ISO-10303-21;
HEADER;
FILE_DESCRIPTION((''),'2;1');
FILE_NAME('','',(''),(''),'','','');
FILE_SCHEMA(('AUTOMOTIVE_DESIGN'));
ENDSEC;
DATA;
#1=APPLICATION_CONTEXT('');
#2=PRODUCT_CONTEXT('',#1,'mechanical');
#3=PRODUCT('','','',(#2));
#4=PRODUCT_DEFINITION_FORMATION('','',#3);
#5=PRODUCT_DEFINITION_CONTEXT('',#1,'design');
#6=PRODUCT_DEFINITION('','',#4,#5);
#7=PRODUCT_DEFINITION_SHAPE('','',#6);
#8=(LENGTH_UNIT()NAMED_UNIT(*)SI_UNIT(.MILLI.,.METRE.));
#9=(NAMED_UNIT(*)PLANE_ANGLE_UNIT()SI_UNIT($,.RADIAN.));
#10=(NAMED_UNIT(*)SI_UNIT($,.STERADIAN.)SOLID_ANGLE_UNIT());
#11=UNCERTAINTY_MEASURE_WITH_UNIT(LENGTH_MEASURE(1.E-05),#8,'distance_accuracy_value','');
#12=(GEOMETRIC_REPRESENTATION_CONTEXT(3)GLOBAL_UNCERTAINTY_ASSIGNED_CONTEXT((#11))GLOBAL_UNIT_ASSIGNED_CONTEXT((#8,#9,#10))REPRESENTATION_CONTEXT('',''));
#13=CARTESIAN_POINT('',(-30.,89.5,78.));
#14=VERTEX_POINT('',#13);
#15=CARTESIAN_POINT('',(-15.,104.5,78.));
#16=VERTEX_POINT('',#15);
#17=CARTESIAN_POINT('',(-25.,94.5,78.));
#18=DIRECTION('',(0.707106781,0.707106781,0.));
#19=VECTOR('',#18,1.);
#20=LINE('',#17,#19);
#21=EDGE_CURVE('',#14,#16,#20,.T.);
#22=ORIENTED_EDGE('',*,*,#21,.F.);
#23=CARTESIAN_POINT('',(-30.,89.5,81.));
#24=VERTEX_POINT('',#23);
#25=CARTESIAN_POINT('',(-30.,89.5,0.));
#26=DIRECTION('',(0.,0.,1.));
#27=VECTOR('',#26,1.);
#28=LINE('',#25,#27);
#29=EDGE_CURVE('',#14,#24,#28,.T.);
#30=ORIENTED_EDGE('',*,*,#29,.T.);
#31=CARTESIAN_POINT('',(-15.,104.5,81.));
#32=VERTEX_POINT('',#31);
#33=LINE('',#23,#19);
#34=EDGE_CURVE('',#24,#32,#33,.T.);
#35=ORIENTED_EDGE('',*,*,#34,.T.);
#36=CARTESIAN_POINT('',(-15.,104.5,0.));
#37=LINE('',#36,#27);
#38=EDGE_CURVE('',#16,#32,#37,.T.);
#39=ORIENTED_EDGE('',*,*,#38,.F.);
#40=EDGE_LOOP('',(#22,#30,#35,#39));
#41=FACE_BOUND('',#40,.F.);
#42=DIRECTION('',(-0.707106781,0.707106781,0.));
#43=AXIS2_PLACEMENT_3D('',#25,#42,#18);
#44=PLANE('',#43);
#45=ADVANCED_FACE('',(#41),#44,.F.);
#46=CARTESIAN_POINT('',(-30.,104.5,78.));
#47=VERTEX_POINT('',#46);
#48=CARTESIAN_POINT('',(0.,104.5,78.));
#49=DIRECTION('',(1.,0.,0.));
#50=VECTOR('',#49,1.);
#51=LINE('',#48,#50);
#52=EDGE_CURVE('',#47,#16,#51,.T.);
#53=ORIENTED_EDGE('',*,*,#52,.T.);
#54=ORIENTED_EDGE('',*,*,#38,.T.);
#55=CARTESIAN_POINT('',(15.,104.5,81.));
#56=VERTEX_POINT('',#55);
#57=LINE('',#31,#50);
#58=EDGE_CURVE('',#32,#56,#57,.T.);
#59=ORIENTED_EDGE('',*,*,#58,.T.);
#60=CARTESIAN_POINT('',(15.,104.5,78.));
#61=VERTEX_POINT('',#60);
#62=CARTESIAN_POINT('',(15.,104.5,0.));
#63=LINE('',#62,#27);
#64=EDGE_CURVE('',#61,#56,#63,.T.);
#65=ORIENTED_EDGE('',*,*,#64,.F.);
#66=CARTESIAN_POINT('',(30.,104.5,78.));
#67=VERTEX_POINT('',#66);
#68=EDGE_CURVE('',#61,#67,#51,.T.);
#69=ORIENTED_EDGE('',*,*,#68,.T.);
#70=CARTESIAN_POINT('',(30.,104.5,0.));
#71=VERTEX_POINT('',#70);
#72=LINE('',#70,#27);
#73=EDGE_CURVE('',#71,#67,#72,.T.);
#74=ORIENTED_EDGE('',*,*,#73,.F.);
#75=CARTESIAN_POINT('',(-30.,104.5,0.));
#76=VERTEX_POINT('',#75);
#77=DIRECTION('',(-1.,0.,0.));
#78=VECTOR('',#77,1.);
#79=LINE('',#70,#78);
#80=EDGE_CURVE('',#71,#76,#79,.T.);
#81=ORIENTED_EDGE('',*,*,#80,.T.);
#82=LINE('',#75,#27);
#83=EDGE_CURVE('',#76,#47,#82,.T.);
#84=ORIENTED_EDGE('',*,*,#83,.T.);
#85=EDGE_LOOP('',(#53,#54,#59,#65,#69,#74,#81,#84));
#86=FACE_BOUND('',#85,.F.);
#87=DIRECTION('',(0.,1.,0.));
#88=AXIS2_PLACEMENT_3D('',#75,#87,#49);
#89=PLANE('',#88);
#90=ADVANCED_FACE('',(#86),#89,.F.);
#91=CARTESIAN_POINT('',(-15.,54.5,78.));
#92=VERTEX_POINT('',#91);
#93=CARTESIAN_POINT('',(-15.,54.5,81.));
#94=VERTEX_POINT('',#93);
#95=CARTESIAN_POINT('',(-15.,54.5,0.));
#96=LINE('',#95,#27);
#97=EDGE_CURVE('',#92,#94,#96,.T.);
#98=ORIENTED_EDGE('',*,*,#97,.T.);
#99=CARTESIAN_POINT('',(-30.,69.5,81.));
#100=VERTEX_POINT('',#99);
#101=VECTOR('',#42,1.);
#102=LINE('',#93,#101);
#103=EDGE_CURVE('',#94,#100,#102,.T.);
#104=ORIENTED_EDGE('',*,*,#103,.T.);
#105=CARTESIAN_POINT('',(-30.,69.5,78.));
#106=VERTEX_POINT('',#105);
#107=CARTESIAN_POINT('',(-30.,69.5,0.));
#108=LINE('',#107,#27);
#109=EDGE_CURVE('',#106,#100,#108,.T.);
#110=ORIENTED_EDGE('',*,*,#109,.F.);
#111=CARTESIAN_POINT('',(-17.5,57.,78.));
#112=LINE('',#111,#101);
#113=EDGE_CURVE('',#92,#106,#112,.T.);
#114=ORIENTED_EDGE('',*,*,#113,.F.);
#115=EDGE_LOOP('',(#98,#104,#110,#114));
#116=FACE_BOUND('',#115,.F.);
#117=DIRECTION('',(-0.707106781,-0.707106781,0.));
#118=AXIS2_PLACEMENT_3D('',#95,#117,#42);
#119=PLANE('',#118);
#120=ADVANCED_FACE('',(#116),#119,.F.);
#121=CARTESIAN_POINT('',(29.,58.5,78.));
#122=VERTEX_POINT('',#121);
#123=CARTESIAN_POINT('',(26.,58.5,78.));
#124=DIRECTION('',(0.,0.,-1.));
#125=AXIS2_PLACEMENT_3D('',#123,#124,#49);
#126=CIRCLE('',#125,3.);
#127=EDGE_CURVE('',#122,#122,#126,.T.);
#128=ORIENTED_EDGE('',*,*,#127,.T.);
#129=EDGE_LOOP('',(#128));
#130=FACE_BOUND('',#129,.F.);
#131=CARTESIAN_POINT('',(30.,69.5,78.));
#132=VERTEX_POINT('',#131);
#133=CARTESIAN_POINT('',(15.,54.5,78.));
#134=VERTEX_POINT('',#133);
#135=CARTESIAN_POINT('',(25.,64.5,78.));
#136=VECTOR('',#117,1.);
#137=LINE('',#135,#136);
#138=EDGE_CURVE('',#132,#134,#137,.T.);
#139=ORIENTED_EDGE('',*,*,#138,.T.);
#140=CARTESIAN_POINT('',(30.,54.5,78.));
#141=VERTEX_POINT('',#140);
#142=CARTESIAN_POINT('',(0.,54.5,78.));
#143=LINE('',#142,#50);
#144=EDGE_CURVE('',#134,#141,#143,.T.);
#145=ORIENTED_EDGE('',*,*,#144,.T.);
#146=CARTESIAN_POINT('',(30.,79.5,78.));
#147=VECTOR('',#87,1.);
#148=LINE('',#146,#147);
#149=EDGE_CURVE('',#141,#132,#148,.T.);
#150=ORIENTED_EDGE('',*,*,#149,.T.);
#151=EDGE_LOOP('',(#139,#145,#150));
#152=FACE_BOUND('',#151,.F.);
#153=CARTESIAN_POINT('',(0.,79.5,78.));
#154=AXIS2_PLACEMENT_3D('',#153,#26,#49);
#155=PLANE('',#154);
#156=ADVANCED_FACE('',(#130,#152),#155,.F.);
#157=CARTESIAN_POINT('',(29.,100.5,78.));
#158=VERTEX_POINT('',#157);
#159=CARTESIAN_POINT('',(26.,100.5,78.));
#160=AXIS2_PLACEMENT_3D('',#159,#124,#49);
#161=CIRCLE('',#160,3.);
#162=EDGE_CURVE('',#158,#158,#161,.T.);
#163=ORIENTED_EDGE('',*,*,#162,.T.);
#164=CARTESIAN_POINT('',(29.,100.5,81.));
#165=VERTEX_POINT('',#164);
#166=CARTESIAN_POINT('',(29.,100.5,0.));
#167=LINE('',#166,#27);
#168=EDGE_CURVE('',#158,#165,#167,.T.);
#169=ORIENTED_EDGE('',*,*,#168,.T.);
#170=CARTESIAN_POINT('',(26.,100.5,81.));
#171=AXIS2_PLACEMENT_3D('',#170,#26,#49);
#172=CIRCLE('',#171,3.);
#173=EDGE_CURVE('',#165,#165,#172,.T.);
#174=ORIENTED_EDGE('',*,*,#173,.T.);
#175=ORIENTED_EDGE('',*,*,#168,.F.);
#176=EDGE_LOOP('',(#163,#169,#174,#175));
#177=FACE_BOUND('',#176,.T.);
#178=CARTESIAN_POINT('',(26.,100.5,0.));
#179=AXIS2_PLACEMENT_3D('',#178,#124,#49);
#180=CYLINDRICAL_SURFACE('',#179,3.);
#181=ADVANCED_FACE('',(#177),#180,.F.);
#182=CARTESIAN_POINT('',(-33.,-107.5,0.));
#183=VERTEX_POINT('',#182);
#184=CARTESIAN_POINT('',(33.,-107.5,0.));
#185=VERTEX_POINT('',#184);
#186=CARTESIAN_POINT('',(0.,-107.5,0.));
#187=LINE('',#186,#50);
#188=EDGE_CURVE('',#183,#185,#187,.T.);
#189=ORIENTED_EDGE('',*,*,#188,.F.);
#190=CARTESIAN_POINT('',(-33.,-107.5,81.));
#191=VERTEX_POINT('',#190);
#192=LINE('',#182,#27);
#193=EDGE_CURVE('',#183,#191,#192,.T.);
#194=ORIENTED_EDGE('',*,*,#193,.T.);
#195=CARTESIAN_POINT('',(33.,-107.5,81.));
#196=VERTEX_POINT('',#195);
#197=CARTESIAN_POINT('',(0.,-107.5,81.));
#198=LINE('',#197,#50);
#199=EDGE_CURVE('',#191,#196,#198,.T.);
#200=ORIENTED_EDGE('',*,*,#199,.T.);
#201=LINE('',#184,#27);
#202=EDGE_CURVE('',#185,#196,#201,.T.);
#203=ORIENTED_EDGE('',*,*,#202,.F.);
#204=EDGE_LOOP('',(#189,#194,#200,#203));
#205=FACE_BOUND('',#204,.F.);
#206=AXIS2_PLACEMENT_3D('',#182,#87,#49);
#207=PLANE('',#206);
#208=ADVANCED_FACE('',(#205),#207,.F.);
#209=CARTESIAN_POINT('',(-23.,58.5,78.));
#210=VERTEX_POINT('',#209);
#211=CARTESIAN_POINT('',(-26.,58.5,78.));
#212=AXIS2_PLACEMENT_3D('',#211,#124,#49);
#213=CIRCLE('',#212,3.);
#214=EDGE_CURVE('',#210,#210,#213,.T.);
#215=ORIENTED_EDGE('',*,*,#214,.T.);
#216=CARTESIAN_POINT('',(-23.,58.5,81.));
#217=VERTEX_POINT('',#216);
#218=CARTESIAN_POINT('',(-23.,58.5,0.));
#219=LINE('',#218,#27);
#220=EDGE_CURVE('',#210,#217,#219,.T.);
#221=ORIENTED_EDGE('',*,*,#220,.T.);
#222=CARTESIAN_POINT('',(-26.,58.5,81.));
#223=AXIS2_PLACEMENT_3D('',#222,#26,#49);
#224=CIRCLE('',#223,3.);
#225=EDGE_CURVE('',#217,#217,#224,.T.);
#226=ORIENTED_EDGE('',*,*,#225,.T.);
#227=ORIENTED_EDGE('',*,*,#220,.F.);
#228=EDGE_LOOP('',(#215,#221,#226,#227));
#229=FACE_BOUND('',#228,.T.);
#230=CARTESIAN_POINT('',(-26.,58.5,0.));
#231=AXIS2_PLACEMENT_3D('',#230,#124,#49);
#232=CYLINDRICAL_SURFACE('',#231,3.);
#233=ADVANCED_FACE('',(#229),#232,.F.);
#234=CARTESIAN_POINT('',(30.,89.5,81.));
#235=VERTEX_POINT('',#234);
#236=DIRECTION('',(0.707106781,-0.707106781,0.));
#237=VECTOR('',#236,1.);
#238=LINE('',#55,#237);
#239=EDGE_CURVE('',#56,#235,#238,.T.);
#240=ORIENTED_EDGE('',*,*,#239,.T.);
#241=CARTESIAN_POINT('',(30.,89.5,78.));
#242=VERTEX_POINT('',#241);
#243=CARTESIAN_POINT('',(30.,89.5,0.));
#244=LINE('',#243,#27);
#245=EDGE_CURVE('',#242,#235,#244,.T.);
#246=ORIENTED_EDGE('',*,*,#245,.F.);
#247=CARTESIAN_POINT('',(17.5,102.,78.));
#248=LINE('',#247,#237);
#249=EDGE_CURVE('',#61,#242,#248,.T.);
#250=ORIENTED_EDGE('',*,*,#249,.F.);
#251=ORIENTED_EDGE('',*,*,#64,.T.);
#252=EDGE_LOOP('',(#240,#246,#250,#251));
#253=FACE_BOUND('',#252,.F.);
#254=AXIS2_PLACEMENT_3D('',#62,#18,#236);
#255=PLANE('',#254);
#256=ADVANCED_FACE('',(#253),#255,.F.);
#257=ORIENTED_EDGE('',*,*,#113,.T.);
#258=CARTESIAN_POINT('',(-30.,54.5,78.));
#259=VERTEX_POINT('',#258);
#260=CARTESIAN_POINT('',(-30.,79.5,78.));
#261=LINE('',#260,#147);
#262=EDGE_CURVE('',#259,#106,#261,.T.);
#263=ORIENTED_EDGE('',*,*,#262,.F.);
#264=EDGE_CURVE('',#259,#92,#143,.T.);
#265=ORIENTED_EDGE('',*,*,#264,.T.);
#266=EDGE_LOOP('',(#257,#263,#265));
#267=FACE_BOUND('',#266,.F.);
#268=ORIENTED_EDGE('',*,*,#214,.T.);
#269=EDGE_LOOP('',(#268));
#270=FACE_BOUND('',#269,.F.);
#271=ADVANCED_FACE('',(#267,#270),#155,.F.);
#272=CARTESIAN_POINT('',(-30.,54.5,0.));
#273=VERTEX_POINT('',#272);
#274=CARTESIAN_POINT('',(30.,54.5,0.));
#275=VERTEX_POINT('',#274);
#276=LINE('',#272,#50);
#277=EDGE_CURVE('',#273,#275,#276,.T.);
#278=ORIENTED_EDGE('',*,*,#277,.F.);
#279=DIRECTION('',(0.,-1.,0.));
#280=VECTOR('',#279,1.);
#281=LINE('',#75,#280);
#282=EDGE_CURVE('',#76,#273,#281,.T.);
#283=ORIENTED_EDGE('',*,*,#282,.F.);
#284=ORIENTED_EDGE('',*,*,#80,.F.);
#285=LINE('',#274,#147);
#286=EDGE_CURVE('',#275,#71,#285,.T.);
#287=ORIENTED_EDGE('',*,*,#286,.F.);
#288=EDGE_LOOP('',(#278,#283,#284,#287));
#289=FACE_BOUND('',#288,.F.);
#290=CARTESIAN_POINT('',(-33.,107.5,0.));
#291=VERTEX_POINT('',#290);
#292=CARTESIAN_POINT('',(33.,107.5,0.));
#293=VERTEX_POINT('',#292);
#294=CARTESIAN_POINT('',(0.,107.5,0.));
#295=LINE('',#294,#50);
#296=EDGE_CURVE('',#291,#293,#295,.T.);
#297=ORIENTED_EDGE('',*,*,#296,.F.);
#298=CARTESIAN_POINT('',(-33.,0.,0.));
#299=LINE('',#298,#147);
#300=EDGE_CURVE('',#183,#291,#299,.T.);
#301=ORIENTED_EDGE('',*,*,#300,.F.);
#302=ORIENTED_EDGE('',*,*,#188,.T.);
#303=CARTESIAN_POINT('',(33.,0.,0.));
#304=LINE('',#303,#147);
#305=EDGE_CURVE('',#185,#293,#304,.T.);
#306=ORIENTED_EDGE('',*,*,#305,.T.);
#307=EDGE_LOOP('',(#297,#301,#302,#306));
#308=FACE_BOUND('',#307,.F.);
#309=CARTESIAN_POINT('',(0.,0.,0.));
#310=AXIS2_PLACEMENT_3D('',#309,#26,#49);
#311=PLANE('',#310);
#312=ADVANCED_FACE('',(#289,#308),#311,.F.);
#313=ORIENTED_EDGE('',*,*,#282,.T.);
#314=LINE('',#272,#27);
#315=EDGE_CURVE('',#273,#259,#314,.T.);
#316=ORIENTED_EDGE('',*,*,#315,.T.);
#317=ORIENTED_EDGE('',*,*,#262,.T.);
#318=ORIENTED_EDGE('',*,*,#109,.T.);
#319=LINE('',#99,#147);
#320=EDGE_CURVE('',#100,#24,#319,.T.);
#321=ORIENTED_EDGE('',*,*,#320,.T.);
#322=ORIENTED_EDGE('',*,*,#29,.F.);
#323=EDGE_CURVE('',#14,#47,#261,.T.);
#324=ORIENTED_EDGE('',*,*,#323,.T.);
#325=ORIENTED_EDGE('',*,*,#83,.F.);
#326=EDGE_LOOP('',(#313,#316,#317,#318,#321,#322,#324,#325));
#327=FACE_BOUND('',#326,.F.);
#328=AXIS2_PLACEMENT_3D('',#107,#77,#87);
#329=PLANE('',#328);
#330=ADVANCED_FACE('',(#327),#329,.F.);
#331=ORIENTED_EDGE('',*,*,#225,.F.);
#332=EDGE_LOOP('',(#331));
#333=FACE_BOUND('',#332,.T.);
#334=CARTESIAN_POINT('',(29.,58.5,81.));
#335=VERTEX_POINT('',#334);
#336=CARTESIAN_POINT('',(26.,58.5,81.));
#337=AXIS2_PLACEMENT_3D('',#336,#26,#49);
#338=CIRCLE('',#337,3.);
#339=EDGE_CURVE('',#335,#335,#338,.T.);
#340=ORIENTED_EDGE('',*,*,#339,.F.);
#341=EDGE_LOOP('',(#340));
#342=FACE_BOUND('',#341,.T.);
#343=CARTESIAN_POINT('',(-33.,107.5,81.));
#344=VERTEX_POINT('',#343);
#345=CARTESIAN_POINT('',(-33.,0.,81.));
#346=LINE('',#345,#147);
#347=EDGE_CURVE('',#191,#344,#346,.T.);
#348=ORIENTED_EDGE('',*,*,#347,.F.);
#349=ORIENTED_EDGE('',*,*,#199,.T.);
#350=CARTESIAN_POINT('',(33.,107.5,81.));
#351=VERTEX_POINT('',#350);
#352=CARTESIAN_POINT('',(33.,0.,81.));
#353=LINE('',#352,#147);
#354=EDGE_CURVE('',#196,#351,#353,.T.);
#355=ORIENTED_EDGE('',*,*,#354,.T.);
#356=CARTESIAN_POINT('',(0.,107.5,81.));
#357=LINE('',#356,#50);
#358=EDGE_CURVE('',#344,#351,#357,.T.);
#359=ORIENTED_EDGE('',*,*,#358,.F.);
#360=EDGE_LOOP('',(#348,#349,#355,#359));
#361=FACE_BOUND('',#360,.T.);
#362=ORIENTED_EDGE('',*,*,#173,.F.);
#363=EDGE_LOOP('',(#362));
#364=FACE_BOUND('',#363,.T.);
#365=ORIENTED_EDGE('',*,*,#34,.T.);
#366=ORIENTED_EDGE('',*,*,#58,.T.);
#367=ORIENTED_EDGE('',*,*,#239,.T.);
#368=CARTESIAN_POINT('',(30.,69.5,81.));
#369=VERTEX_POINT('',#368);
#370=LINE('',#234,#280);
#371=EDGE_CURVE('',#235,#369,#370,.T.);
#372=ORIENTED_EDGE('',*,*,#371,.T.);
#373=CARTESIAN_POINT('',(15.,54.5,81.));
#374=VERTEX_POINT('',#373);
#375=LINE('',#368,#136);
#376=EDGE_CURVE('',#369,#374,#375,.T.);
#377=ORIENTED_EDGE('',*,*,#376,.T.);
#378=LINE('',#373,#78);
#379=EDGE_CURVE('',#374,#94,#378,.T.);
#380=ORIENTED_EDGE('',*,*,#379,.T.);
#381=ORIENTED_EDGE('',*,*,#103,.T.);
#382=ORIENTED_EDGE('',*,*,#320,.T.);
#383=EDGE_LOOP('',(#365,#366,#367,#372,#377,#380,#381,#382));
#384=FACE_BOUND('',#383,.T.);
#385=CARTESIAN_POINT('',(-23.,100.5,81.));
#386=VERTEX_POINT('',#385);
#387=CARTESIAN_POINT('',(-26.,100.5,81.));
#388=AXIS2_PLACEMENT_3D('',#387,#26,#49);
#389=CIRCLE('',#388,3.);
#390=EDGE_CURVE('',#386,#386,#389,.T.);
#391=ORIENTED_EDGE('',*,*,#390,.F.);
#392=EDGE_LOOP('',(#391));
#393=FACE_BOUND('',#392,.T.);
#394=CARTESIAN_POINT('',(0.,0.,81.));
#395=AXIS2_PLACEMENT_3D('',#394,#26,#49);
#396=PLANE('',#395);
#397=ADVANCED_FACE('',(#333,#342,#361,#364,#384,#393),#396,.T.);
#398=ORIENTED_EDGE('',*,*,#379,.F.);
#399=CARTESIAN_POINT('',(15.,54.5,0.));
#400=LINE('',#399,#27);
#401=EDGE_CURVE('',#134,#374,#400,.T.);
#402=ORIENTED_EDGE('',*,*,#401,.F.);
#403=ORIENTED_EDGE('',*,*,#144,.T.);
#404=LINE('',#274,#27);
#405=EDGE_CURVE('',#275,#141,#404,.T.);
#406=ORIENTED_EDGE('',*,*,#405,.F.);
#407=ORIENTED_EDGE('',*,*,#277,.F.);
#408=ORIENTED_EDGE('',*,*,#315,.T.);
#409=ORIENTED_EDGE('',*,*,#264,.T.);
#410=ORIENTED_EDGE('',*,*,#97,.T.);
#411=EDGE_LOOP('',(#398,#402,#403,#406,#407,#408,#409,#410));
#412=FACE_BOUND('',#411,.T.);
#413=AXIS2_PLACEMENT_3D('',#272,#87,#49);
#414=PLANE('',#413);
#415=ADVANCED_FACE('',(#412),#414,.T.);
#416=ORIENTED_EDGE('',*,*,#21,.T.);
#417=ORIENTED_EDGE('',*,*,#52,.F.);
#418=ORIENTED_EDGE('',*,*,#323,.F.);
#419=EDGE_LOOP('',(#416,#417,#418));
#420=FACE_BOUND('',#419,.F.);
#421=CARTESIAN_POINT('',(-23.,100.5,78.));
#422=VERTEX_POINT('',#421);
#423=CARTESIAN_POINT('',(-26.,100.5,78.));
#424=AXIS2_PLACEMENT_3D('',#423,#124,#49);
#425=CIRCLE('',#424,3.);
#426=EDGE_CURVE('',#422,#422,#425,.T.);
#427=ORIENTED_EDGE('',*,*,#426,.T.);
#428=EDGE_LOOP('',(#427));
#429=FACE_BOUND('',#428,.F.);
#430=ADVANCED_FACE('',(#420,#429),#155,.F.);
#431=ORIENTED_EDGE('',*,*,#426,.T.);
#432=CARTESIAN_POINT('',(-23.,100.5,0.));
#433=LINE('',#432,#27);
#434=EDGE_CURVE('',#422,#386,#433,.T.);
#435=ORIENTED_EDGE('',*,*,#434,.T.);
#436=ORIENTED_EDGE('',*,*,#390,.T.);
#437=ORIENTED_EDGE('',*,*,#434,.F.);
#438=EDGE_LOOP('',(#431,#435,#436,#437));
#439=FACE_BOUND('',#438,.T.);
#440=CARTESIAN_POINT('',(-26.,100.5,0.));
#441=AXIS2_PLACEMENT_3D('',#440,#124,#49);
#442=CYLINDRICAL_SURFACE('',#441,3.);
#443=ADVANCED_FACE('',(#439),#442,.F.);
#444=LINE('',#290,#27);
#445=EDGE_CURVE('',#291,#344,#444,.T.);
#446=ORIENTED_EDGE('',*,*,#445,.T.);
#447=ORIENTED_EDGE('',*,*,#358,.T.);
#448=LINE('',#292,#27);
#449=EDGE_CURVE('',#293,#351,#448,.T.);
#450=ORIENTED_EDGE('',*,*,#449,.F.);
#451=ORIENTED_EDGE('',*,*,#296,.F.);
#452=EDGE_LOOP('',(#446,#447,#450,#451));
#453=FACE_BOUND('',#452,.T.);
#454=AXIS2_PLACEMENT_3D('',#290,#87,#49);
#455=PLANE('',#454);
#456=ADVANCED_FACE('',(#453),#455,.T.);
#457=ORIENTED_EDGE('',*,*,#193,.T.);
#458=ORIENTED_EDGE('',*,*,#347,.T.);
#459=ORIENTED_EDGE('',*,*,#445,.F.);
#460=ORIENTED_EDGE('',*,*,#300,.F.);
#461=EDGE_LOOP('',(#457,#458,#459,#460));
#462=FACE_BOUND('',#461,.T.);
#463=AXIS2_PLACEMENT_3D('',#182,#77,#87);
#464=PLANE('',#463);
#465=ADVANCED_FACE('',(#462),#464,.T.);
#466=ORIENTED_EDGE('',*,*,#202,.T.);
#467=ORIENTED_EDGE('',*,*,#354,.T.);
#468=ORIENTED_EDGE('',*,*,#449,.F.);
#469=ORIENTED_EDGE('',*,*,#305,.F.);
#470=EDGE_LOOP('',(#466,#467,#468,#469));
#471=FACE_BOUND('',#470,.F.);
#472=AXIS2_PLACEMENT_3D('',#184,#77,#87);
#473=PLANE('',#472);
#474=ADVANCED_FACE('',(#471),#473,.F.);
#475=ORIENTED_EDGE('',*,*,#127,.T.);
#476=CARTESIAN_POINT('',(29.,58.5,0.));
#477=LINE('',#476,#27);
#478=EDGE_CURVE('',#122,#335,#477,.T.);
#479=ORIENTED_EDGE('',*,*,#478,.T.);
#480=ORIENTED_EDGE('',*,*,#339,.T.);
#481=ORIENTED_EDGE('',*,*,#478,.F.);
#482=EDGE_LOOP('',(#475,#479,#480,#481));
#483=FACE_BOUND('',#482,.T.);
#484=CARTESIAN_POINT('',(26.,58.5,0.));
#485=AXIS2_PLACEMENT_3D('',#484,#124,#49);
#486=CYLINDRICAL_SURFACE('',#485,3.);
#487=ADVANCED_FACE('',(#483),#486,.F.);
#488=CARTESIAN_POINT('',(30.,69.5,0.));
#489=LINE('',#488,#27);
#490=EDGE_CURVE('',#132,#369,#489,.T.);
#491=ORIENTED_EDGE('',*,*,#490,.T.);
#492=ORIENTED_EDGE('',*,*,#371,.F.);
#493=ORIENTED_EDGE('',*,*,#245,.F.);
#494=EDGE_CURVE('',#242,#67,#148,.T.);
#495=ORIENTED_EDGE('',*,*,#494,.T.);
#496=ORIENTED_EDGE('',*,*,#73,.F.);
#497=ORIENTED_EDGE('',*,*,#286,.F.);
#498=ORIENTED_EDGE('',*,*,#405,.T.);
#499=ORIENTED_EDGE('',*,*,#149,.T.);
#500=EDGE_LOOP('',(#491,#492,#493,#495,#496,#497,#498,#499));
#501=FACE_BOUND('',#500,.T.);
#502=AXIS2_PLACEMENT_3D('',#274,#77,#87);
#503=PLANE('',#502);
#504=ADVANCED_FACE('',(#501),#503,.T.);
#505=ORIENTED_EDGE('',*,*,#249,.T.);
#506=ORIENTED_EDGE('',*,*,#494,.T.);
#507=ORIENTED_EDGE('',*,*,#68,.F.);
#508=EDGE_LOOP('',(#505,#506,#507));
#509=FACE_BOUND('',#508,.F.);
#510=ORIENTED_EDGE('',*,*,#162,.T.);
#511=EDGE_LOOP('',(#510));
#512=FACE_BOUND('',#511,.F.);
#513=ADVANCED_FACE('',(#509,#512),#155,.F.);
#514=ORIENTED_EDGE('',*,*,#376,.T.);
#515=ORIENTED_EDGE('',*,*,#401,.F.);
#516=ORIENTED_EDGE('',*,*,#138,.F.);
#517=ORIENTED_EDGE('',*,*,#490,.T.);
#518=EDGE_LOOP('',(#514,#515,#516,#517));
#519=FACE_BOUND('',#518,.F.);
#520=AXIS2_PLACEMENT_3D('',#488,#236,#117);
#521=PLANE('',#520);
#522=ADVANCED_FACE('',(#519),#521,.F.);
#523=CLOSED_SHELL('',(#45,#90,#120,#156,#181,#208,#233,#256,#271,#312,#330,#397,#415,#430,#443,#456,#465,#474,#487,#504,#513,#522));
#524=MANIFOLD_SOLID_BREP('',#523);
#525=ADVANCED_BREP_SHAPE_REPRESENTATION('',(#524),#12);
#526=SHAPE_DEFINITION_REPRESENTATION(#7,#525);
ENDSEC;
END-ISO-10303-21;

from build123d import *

# Parameters (mm, degrees)
STRUCTURESKETCH_W      = 66
STRUCTURESKETCH_H      = 215
MAINSTRUCTURE_DEPTH    = 81
ZONESKETCH_R           = 3
CENTERPOCKET_DEPTH     = 81
ZONEFILLSKETCH_W       = 60
ZONEFILLSKETCH_H       = 50
CENTERFILLPOCKET_DEPTH = 78


with BuildPart() as part:
    # StructureSketch → MainStructure (new body)
    with BuildSketch(Plane.XY):
        Rectangle(STRUCTURESKETCH_W, STRUCTURESKETCH_H)
    extrude(amount=MAINSTRUCTURE_DEPTH)

    # ZoneSketch (on DatumPlane) → CenterPocket (cut)
    with BuildSketch(Plane(origin=(0, 79.5, 0), x_dir=(1, 0, 0), z_dir=(0, 0, 1))):
        with Locations((-26, 21)):
            Circle(ZONESKETCH_R)
        with Locations((26, 21)):
            Circle(ZONESKETCH_R)
        with Locations((26, -21)):
            Circle(ZONESKETCH_R)
        with Locations((-26, -21)):
            Circle(ZONESKETCH_R)
        Polygon((-15, 25), (15, 25), (30, 10), (30, -10), (15, -25), (-15, -25), (-30, -10), (-30, 10), align=None)
    extrude(amount=CENTERPOCKET_DEPTH, mode=Mode.SUBTRACT)

    # ZoneFillSketch (on DatumPlane) → CenterFillPocket (cut)
    with BuildSketch(Plane(origin=(0, 79.5, 0), x_dir=(1, 0, 0), z_dir=(0, 0, 1))):
        Rectangle(ZONEFILLSKETCH_W, ZONEFILLSKETCH_H)
    extrude(amount=CENTERFILLPOCKET_DEPTH, mode=Mode.SUBTRACT)


solid = part.part
